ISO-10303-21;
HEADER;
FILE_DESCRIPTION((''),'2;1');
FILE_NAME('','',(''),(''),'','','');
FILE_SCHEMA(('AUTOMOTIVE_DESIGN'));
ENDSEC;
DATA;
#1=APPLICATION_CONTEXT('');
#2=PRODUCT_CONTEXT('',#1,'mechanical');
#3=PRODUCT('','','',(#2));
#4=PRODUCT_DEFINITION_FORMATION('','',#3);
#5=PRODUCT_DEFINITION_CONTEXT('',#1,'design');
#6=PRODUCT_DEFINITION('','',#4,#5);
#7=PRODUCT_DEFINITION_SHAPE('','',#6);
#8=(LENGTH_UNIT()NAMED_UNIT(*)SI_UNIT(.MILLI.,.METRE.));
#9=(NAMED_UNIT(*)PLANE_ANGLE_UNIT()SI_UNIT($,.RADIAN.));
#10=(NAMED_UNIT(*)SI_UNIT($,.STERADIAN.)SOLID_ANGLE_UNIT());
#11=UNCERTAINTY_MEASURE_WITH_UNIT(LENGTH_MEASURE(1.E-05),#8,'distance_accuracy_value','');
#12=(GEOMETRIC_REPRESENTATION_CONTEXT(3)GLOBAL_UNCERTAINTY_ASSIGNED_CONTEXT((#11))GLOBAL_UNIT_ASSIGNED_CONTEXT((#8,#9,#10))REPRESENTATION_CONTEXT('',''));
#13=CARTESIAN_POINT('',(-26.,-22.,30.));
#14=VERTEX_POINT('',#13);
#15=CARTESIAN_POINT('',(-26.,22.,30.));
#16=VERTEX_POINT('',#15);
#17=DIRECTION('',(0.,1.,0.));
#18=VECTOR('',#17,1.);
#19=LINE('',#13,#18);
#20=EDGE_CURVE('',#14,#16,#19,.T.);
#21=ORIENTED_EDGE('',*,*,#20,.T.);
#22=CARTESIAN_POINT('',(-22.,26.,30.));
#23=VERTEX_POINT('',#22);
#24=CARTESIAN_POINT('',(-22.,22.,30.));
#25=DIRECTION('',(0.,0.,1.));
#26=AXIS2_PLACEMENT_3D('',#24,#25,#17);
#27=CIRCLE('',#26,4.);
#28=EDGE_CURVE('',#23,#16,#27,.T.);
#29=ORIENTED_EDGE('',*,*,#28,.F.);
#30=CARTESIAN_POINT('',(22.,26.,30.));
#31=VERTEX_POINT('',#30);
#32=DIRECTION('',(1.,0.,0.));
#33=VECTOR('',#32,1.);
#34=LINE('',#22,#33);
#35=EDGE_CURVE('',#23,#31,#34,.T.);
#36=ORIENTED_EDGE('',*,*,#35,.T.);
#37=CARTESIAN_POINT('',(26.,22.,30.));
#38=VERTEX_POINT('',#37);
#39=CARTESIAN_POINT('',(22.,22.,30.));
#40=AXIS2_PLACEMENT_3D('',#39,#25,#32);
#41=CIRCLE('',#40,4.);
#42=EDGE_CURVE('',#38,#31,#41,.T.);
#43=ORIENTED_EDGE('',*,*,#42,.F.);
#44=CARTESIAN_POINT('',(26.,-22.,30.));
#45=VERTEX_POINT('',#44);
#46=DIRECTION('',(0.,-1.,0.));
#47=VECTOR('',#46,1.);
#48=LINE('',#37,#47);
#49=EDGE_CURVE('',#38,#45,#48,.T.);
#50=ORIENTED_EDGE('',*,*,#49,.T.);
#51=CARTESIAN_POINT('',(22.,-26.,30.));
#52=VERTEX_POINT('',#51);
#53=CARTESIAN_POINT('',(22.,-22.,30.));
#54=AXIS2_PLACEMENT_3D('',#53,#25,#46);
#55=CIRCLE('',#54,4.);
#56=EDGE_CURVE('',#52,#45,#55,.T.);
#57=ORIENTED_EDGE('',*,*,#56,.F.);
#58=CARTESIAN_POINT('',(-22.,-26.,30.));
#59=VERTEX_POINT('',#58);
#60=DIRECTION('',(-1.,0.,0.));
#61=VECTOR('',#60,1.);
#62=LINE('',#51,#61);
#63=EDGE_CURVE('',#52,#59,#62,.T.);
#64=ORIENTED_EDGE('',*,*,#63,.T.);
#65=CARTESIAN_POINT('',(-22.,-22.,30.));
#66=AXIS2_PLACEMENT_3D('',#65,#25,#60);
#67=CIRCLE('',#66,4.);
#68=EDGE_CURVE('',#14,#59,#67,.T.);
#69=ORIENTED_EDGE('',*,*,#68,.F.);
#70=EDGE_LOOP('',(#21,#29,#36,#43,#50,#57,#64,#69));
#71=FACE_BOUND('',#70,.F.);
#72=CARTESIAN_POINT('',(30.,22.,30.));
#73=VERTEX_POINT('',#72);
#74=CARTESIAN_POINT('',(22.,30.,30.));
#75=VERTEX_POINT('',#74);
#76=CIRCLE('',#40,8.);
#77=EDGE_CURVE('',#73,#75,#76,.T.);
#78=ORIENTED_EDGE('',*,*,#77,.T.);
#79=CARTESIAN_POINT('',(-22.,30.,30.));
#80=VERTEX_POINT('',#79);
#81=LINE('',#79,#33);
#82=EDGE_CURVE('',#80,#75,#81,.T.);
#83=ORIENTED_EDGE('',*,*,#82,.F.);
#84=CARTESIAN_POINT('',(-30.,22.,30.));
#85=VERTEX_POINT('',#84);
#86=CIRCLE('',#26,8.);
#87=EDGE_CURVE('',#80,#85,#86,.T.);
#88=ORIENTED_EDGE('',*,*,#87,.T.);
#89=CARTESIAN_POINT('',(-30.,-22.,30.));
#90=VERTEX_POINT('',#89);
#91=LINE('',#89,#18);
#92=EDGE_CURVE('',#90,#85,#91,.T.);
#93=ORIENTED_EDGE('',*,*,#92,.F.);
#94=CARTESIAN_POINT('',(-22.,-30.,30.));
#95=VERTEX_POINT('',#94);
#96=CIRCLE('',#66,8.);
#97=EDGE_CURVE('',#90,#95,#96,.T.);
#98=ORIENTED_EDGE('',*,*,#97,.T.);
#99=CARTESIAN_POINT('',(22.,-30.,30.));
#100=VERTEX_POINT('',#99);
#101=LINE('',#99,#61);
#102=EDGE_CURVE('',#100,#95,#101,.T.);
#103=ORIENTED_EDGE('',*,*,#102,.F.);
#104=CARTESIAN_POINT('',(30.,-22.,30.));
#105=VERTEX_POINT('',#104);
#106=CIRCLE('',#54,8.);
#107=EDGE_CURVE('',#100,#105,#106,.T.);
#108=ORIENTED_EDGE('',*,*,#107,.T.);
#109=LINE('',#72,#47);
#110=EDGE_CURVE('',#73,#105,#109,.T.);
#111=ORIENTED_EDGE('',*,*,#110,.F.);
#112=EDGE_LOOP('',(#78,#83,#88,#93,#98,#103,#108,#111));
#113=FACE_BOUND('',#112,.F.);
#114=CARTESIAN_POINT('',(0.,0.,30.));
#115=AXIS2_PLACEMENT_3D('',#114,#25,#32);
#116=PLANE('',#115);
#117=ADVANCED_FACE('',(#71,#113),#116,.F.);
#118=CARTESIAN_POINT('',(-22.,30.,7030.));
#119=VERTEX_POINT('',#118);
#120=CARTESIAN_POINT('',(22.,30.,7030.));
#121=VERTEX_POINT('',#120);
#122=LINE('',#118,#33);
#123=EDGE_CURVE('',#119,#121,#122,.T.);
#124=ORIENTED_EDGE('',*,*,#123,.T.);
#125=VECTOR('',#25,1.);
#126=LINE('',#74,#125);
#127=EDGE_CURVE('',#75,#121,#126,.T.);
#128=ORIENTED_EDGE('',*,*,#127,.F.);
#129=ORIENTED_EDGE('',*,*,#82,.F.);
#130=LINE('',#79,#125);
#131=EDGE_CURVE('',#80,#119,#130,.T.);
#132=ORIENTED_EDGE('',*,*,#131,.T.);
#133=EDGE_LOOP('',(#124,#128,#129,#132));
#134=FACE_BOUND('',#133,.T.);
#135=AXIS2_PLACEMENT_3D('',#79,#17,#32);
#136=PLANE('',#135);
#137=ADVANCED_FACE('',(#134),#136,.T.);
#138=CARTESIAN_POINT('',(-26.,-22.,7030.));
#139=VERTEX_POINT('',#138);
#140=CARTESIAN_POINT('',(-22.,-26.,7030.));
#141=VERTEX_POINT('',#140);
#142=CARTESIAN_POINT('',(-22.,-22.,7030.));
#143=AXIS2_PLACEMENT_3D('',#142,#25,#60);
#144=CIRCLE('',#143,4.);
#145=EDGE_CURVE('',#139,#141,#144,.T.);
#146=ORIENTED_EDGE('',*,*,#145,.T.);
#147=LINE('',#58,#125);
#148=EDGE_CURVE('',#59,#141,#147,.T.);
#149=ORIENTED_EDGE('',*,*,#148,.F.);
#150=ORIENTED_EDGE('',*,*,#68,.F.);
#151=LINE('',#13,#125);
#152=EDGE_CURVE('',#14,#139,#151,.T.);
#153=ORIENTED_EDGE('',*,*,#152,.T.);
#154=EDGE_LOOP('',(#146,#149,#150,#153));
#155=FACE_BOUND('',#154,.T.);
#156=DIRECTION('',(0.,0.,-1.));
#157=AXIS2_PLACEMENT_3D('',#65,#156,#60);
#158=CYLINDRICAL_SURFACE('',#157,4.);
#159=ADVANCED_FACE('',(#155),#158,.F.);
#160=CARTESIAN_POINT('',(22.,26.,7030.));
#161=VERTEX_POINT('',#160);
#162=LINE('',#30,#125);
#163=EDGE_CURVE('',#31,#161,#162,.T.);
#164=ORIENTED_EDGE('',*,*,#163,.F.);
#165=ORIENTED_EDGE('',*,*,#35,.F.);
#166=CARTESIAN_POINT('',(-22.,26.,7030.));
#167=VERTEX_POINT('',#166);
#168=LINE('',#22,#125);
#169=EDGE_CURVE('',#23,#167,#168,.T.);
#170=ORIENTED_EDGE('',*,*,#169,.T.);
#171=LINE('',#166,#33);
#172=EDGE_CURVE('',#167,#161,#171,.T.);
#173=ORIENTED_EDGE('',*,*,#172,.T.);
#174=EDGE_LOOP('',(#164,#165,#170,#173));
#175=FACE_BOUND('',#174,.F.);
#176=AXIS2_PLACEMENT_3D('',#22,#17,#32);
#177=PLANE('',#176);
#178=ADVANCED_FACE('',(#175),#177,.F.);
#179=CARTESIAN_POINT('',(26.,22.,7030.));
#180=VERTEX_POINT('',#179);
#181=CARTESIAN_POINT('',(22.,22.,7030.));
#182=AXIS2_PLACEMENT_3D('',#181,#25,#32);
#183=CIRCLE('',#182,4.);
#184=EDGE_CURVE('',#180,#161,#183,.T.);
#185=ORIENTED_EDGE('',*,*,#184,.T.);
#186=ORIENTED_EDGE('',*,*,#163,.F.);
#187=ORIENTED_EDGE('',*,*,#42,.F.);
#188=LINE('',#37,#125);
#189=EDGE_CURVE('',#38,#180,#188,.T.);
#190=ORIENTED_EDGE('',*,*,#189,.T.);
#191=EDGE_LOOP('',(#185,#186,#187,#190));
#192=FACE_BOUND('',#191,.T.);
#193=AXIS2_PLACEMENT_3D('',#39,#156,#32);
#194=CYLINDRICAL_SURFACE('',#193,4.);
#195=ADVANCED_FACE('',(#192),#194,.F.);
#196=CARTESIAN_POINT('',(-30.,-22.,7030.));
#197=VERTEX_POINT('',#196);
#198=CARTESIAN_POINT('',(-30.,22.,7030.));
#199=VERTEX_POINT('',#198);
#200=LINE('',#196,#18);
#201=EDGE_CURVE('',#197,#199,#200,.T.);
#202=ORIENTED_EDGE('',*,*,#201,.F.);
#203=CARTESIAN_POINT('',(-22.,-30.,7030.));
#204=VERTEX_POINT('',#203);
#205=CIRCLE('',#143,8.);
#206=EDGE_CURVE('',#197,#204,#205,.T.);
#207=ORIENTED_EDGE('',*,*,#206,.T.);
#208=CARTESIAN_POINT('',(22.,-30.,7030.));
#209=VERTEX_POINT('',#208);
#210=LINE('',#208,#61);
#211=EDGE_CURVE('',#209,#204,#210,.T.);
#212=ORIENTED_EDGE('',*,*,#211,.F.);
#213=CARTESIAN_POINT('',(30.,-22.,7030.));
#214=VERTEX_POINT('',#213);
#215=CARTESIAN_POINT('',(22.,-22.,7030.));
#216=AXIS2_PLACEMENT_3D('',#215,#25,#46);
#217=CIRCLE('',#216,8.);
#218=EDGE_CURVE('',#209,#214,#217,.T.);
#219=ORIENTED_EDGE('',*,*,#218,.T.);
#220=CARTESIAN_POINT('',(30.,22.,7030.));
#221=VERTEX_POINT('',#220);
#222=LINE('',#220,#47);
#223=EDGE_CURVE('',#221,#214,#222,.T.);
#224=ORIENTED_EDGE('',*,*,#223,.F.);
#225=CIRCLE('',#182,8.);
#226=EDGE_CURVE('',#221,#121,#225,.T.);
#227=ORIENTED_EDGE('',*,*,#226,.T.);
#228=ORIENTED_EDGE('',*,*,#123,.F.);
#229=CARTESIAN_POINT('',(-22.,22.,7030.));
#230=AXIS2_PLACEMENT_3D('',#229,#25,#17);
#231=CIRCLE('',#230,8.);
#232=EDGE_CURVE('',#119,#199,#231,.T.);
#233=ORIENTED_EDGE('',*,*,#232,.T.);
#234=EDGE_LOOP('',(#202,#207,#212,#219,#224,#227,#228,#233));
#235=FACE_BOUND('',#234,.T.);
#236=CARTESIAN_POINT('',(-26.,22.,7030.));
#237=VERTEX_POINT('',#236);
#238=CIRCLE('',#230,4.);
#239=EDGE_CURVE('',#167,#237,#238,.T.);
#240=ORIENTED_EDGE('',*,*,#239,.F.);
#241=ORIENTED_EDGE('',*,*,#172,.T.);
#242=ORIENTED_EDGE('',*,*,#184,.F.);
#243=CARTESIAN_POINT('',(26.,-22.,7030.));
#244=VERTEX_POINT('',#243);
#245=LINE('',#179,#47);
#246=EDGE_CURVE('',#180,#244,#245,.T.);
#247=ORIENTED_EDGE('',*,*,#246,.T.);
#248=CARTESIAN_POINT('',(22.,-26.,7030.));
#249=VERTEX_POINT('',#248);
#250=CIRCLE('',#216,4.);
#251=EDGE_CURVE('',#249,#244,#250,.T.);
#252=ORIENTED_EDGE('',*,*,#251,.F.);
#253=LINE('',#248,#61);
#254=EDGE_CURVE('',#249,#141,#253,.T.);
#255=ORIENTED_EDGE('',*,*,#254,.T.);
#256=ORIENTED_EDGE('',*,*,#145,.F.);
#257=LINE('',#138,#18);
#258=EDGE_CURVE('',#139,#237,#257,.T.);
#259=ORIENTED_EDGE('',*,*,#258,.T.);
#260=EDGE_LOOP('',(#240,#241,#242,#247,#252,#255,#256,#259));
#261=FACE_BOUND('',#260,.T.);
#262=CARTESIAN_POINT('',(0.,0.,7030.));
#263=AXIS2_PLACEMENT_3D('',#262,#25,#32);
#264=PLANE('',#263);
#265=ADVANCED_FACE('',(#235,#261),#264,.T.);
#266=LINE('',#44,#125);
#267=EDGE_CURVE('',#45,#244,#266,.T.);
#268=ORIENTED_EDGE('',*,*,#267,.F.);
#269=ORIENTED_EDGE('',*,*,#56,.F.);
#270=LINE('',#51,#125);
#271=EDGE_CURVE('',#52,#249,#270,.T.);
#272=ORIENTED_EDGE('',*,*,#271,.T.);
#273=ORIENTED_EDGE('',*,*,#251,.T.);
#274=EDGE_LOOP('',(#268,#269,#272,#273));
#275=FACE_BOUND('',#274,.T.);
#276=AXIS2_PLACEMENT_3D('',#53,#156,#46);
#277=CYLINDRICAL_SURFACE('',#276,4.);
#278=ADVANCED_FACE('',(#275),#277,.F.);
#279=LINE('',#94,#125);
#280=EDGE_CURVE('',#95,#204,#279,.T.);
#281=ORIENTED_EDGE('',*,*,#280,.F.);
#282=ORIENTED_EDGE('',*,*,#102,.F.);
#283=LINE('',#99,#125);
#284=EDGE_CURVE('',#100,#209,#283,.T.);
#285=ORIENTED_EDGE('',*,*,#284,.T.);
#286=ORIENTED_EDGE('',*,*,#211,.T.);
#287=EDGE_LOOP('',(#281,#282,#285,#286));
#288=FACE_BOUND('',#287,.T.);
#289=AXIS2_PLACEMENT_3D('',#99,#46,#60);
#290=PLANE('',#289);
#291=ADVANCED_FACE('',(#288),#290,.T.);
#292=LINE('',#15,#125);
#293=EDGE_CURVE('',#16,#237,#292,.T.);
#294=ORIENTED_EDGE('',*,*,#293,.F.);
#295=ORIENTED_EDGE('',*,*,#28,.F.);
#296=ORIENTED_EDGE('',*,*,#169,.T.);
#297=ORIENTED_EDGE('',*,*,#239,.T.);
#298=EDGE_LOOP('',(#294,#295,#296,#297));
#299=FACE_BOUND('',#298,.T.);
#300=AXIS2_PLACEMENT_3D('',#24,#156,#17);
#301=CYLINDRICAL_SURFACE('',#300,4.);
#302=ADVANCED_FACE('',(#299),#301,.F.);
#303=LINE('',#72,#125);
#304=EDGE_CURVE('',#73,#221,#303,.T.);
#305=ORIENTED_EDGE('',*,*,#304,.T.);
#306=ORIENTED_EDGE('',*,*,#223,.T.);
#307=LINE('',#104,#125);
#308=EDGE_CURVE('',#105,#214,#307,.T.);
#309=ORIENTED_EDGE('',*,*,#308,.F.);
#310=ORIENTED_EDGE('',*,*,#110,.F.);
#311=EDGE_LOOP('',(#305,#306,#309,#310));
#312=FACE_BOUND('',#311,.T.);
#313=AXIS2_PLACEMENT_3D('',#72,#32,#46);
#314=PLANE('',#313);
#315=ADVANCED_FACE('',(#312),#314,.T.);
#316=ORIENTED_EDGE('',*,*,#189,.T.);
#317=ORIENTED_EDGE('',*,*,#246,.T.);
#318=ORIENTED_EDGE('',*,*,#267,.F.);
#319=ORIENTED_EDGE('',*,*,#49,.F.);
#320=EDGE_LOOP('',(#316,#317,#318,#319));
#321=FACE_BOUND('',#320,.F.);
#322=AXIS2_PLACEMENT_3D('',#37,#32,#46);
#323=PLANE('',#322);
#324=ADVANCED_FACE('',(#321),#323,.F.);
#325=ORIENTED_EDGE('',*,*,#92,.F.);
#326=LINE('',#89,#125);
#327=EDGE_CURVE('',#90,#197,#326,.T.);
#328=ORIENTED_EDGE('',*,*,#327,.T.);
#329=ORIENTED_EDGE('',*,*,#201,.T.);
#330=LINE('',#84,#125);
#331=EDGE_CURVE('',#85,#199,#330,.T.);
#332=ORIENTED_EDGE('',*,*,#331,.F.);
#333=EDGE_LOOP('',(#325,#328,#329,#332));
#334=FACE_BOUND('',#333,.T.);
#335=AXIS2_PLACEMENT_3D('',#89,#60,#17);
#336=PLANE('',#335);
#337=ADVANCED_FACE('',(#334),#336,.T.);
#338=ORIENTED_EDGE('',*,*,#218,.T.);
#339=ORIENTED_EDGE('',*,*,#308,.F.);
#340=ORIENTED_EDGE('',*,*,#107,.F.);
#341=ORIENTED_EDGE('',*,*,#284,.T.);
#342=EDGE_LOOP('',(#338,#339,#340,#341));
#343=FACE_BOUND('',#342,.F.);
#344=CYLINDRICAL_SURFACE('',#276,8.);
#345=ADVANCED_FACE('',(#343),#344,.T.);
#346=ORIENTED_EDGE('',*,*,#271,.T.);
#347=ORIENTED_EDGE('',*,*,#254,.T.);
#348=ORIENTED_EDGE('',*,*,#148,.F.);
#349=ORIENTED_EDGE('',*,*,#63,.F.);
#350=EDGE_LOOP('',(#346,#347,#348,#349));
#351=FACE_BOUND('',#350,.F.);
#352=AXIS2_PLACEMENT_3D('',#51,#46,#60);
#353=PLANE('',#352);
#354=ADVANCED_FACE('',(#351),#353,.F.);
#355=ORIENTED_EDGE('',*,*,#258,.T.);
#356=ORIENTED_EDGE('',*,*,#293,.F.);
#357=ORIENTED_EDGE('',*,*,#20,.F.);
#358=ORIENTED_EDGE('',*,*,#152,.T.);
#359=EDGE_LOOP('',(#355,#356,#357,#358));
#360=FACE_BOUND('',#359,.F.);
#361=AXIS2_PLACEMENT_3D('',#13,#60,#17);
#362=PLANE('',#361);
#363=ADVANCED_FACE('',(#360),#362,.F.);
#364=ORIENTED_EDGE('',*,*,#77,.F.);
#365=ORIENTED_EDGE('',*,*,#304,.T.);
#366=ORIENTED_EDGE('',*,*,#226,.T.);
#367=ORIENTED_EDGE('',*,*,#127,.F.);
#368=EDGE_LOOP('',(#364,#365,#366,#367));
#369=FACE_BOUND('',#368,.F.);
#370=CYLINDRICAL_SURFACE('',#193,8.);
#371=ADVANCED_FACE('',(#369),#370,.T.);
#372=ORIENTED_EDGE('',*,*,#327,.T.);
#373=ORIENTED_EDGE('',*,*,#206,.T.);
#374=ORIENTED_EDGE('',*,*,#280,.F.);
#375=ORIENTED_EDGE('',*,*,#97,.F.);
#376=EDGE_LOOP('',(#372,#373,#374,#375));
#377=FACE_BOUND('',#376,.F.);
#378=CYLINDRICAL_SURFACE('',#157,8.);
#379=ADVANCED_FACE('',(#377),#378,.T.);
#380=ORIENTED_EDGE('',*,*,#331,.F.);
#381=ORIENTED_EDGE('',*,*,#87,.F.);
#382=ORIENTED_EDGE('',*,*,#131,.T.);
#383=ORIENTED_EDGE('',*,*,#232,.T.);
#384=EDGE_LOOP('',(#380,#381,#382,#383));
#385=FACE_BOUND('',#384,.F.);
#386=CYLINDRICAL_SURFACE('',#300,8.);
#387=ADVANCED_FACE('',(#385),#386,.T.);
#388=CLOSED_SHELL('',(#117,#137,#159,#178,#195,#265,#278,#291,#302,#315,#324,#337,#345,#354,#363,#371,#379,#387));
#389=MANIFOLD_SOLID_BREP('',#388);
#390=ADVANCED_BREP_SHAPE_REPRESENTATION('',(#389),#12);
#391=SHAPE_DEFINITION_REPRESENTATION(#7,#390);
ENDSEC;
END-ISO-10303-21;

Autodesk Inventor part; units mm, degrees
ref_plane "Start Plane" through (0, 0, 30) normal (0, 0, 1) x (1, 0, 0)
ref_plane "End Plane" through (0, 0, 7030) normal (0, 0, 1) x (1, 0, 0)
sketch "Sketch" plane through (0, 0, 0) normal (0, 0, 1) x (1, 0, 0)
  line L0 (-30, -22) -> (-30, 22)
  line L1 (-22, 30) -> (22, 30)
  line L2 (30, 22) -> (30, -22)
  line L3 (22, -30) -> (-22, -30)
  arc A0 (-30, -22) -> (-22, -30) centre (-22, -22) ccw
  arc A1 (30, 22) -> (22, 30) centre (22, 22) ccw
  arc A2 (-22, 30) -> (-30, 22) centre (-22, 22) ccw
  arc A3 (22, -30) -> (30, -22) centre (22, -22) ccw
  arc A4 (-22, 26) -> (-26, 22) centre (-22, 22) ccw
  line L4 (-22, 26) -> (22, 26)
  arc A5 (26, 22) -> (22, 26) centre (22, 22) ccw
  line L5 (26, 22) -> (26, -22)
  arc A6 (22, -26) -> (26, -22) centre (22, -22) ccw
  line L6 (22, -26) -> (-22, -26)
  arc A7 (-26, -22) -> (-22, -26) centre (-22, -22) ccw
  line L7 (-26, -22) -> (-26, 22)
  line L8 (0, 44.3196) -> (0, -44.3196) construction
  line L9 (-44.3196, 0) -> (44.3196, 0) construction
  dimension "d7" = 8
  dimension "d9" = 60
  dimension "d11" = 60
  dimension "d12" = 4
  dimension "d15" = 30
  dimension "d16" = 30
extrude "Body" add sketch "Sketch" along normal up to surface (7000 mm away) from surface at 30
sketch "Sketch3" plane through (0, 0, 0) normal (0, 0, 1) x (1, 0, 0)
  line L0 (0, 0) -> (10, 0)
ref_plane "Work Plane3" through (0, 0, 0) normal (0, -1, 0) x (1, 0, 0)
ref_plane "Work Plane4" through (150, 22, 30) normal (0, 0, -1) x (-1, 0, 0)
split "Split1" plane through (150, 22, 30) removes the side toward (0, 0, -1)
ref_plane "Work Plane5" through (0, 22, 7030) normal (0, 0, 1) x (1, 0, 0)
split "Split2" plane through (0, 22, 7030) removes the side toward (0, 0, 1)
sketch "Sketch4" plane through (0, 0, 0) normal (0, -1, 0) x (1, 0, 0)
  line L0 (-2, 30) -> (12, 30) projected
  line L1 (-2, 7030) -> (12, 7030) projected
  dimension "d18" = 7000
equation "\"d7\" = G_IR"
equation "\"d9\" = G_W"
equation "\"d11\" = G_H"
equation "\"d12\" = G_T"
equation "\"d15\" = 0.5 * d9"
equation "\"d16\" = 0.5 * d11"
equation "\"d3\" = G_L"
equation "\"G_W\" = 60"
equation "\"G_H\" = 60"
equation "\"G_T\" = 4"
equation "\"G_IR\" = 8"
equation "\"G_L\" = d18"
properties part number "ISO 10799-2 - 60x60x4 - 7000" material "Steel, Mild"
